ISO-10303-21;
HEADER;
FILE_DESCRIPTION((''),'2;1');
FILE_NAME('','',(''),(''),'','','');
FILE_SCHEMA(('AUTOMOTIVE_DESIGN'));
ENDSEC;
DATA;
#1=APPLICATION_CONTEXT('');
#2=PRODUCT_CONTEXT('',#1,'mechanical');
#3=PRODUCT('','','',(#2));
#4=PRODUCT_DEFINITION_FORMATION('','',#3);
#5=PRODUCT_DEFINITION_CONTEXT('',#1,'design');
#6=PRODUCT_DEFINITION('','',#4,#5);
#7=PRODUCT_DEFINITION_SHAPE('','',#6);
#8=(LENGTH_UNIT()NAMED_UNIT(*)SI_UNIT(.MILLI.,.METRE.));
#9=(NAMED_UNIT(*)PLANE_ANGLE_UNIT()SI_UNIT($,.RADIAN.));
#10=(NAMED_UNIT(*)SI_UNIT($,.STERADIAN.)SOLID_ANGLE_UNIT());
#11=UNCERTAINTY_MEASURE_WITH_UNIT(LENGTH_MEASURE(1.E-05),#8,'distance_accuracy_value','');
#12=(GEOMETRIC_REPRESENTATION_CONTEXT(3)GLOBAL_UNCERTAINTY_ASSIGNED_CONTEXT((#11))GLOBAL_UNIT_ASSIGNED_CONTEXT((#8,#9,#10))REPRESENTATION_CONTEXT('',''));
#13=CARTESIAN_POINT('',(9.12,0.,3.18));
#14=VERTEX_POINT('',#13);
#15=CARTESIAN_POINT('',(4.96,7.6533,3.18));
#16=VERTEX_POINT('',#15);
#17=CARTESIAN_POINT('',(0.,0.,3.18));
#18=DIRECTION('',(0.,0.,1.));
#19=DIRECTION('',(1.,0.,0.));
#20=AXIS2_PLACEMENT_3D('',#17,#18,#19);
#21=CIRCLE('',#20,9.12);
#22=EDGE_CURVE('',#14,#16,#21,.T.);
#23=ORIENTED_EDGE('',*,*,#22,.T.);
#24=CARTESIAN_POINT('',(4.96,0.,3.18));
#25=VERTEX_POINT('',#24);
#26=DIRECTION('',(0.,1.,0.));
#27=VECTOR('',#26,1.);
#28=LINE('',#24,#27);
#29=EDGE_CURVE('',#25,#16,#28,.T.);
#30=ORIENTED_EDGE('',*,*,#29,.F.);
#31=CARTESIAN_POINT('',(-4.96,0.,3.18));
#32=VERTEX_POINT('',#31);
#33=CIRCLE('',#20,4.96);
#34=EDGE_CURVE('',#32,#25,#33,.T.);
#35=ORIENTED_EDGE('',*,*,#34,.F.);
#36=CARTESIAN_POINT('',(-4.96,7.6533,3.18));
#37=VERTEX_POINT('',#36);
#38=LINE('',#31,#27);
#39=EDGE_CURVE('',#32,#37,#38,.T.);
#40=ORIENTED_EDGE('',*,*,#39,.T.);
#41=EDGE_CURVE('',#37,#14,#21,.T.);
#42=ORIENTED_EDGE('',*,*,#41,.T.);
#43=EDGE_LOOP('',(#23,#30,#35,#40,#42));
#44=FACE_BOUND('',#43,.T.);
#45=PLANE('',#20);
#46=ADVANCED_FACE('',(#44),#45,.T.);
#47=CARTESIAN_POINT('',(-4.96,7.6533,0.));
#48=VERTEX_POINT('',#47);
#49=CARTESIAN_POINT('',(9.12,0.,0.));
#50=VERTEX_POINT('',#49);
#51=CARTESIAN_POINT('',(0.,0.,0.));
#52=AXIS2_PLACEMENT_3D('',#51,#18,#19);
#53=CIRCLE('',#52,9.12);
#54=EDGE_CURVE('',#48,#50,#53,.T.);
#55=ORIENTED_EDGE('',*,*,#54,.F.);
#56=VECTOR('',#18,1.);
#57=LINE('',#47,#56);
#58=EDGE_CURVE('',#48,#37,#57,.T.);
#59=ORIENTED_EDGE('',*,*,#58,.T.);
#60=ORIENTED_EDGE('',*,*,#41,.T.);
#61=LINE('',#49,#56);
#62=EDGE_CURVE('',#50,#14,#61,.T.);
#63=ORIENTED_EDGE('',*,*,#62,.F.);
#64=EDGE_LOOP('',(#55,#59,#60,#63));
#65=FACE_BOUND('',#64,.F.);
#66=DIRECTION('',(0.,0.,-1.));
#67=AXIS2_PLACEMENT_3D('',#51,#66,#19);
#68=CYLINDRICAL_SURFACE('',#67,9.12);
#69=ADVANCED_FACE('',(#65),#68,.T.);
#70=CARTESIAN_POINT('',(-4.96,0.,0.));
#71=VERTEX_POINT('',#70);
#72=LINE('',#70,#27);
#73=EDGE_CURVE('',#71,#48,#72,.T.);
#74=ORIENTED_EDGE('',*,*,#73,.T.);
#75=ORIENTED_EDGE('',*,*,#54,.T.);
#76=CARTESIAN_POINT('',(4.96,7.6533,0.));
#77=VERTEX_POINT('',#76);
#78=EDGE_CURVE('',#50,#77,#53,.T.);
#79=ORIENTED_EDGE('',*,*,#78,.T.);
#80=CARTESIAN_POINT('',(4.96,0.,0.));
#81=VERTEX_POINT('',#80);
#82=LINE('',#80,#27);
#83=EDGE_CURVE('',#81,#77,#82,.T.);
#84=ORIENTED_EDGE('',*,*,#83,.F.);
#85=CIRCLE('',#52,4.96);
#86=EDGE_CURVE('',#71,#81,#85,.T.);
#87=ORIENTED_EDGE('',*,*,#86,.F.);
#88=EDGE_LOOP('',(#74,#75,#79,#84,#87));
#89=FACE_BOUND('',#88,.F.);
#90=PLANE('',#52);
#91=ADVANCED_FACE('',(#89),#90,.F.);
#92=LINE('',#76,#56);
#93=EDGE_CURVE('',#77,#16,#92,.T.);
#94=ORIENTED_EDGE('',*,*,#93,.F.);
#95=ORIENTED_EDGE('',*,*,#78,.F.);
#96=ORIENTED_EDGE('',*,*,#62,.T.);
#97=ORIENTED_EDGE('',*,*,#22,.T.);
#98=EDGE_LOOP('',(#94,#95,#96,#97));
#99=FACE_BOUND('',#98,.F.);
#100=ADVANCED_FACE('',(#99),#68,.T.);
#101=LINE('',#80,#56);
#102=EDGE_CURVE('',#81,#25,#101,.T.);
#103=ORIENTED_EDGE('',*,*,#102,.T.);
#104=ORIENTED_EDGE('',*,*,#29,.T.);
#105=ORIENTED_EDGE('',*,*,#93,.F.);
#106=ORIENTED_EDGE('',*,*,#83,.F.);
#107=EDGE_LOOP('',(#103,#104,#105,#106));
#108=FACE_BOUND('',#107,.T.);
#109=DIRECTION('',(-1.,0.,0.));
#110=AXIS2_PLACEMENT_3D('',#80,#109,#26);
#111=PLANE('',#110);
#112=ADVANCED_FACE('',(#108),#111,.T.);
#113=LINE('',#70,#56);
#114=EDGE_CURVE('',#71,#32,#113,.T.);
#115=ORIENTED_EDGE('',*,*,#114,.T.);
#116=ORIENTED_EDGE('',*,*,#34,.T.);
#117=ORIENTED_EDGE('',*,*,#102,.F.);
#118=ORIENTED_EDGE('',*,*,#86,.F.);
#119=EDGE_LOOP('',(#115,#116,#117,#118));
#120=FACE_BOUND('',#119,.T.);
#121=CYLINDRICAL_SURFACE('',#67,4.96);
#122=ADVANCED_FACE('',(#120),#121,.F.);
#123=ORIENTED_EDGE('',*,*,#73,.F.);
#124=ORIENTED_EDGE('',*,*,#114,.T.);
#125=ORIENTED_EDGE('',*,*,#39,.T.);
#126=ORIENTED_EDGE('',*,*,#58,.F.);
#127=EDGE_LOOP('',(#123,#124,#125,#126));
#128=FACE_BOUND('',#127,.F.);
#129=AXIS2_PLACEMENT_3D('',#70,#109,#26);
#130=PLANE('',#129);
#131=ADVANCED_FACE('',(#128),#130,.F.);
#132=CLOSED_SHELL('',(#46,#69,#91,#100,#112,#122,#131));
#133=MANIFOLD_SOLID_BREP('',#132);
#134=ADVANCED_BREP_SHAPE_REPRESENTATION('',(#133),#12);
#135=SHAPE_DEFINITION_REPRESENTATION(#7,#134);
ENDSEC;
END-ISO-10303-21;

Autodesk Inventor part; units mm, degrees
ref_plane "YZ Plane" through (0, 0, 0) normal (1, 0, 0) x (0, 1, 0)
ref_plane "XZ Plane" through (0, 0, 0) normal (0, 1, 0) x (-1, 0, 0)
ref_plane "XY Plane" through (0, 0, 0) normal (0, 0, 1) x (1, 0, 0)
sketch "Sketch1" plane through (0, 0, 0) normal (0, 0, 1) x (1, 0, 0)
  circle A0 centre (0, 0) radius 4.96
  circle A1 centre (0, 0) radius 9.12
  line L0 (-4.96, 0) -> (-4.96, 7.6533)
  line L1 (4.96, 0) -> (4.96, 7.6533)
  dimension "d0" = 9.92
  dimension "d1" = 18.24
extrude "Extrusion1" add sketch "Sketch1" along normal blind 3.18 contours L1 A1 L0 A0 picked at (5.5376, 4.6162)
properties part number "parça6"
